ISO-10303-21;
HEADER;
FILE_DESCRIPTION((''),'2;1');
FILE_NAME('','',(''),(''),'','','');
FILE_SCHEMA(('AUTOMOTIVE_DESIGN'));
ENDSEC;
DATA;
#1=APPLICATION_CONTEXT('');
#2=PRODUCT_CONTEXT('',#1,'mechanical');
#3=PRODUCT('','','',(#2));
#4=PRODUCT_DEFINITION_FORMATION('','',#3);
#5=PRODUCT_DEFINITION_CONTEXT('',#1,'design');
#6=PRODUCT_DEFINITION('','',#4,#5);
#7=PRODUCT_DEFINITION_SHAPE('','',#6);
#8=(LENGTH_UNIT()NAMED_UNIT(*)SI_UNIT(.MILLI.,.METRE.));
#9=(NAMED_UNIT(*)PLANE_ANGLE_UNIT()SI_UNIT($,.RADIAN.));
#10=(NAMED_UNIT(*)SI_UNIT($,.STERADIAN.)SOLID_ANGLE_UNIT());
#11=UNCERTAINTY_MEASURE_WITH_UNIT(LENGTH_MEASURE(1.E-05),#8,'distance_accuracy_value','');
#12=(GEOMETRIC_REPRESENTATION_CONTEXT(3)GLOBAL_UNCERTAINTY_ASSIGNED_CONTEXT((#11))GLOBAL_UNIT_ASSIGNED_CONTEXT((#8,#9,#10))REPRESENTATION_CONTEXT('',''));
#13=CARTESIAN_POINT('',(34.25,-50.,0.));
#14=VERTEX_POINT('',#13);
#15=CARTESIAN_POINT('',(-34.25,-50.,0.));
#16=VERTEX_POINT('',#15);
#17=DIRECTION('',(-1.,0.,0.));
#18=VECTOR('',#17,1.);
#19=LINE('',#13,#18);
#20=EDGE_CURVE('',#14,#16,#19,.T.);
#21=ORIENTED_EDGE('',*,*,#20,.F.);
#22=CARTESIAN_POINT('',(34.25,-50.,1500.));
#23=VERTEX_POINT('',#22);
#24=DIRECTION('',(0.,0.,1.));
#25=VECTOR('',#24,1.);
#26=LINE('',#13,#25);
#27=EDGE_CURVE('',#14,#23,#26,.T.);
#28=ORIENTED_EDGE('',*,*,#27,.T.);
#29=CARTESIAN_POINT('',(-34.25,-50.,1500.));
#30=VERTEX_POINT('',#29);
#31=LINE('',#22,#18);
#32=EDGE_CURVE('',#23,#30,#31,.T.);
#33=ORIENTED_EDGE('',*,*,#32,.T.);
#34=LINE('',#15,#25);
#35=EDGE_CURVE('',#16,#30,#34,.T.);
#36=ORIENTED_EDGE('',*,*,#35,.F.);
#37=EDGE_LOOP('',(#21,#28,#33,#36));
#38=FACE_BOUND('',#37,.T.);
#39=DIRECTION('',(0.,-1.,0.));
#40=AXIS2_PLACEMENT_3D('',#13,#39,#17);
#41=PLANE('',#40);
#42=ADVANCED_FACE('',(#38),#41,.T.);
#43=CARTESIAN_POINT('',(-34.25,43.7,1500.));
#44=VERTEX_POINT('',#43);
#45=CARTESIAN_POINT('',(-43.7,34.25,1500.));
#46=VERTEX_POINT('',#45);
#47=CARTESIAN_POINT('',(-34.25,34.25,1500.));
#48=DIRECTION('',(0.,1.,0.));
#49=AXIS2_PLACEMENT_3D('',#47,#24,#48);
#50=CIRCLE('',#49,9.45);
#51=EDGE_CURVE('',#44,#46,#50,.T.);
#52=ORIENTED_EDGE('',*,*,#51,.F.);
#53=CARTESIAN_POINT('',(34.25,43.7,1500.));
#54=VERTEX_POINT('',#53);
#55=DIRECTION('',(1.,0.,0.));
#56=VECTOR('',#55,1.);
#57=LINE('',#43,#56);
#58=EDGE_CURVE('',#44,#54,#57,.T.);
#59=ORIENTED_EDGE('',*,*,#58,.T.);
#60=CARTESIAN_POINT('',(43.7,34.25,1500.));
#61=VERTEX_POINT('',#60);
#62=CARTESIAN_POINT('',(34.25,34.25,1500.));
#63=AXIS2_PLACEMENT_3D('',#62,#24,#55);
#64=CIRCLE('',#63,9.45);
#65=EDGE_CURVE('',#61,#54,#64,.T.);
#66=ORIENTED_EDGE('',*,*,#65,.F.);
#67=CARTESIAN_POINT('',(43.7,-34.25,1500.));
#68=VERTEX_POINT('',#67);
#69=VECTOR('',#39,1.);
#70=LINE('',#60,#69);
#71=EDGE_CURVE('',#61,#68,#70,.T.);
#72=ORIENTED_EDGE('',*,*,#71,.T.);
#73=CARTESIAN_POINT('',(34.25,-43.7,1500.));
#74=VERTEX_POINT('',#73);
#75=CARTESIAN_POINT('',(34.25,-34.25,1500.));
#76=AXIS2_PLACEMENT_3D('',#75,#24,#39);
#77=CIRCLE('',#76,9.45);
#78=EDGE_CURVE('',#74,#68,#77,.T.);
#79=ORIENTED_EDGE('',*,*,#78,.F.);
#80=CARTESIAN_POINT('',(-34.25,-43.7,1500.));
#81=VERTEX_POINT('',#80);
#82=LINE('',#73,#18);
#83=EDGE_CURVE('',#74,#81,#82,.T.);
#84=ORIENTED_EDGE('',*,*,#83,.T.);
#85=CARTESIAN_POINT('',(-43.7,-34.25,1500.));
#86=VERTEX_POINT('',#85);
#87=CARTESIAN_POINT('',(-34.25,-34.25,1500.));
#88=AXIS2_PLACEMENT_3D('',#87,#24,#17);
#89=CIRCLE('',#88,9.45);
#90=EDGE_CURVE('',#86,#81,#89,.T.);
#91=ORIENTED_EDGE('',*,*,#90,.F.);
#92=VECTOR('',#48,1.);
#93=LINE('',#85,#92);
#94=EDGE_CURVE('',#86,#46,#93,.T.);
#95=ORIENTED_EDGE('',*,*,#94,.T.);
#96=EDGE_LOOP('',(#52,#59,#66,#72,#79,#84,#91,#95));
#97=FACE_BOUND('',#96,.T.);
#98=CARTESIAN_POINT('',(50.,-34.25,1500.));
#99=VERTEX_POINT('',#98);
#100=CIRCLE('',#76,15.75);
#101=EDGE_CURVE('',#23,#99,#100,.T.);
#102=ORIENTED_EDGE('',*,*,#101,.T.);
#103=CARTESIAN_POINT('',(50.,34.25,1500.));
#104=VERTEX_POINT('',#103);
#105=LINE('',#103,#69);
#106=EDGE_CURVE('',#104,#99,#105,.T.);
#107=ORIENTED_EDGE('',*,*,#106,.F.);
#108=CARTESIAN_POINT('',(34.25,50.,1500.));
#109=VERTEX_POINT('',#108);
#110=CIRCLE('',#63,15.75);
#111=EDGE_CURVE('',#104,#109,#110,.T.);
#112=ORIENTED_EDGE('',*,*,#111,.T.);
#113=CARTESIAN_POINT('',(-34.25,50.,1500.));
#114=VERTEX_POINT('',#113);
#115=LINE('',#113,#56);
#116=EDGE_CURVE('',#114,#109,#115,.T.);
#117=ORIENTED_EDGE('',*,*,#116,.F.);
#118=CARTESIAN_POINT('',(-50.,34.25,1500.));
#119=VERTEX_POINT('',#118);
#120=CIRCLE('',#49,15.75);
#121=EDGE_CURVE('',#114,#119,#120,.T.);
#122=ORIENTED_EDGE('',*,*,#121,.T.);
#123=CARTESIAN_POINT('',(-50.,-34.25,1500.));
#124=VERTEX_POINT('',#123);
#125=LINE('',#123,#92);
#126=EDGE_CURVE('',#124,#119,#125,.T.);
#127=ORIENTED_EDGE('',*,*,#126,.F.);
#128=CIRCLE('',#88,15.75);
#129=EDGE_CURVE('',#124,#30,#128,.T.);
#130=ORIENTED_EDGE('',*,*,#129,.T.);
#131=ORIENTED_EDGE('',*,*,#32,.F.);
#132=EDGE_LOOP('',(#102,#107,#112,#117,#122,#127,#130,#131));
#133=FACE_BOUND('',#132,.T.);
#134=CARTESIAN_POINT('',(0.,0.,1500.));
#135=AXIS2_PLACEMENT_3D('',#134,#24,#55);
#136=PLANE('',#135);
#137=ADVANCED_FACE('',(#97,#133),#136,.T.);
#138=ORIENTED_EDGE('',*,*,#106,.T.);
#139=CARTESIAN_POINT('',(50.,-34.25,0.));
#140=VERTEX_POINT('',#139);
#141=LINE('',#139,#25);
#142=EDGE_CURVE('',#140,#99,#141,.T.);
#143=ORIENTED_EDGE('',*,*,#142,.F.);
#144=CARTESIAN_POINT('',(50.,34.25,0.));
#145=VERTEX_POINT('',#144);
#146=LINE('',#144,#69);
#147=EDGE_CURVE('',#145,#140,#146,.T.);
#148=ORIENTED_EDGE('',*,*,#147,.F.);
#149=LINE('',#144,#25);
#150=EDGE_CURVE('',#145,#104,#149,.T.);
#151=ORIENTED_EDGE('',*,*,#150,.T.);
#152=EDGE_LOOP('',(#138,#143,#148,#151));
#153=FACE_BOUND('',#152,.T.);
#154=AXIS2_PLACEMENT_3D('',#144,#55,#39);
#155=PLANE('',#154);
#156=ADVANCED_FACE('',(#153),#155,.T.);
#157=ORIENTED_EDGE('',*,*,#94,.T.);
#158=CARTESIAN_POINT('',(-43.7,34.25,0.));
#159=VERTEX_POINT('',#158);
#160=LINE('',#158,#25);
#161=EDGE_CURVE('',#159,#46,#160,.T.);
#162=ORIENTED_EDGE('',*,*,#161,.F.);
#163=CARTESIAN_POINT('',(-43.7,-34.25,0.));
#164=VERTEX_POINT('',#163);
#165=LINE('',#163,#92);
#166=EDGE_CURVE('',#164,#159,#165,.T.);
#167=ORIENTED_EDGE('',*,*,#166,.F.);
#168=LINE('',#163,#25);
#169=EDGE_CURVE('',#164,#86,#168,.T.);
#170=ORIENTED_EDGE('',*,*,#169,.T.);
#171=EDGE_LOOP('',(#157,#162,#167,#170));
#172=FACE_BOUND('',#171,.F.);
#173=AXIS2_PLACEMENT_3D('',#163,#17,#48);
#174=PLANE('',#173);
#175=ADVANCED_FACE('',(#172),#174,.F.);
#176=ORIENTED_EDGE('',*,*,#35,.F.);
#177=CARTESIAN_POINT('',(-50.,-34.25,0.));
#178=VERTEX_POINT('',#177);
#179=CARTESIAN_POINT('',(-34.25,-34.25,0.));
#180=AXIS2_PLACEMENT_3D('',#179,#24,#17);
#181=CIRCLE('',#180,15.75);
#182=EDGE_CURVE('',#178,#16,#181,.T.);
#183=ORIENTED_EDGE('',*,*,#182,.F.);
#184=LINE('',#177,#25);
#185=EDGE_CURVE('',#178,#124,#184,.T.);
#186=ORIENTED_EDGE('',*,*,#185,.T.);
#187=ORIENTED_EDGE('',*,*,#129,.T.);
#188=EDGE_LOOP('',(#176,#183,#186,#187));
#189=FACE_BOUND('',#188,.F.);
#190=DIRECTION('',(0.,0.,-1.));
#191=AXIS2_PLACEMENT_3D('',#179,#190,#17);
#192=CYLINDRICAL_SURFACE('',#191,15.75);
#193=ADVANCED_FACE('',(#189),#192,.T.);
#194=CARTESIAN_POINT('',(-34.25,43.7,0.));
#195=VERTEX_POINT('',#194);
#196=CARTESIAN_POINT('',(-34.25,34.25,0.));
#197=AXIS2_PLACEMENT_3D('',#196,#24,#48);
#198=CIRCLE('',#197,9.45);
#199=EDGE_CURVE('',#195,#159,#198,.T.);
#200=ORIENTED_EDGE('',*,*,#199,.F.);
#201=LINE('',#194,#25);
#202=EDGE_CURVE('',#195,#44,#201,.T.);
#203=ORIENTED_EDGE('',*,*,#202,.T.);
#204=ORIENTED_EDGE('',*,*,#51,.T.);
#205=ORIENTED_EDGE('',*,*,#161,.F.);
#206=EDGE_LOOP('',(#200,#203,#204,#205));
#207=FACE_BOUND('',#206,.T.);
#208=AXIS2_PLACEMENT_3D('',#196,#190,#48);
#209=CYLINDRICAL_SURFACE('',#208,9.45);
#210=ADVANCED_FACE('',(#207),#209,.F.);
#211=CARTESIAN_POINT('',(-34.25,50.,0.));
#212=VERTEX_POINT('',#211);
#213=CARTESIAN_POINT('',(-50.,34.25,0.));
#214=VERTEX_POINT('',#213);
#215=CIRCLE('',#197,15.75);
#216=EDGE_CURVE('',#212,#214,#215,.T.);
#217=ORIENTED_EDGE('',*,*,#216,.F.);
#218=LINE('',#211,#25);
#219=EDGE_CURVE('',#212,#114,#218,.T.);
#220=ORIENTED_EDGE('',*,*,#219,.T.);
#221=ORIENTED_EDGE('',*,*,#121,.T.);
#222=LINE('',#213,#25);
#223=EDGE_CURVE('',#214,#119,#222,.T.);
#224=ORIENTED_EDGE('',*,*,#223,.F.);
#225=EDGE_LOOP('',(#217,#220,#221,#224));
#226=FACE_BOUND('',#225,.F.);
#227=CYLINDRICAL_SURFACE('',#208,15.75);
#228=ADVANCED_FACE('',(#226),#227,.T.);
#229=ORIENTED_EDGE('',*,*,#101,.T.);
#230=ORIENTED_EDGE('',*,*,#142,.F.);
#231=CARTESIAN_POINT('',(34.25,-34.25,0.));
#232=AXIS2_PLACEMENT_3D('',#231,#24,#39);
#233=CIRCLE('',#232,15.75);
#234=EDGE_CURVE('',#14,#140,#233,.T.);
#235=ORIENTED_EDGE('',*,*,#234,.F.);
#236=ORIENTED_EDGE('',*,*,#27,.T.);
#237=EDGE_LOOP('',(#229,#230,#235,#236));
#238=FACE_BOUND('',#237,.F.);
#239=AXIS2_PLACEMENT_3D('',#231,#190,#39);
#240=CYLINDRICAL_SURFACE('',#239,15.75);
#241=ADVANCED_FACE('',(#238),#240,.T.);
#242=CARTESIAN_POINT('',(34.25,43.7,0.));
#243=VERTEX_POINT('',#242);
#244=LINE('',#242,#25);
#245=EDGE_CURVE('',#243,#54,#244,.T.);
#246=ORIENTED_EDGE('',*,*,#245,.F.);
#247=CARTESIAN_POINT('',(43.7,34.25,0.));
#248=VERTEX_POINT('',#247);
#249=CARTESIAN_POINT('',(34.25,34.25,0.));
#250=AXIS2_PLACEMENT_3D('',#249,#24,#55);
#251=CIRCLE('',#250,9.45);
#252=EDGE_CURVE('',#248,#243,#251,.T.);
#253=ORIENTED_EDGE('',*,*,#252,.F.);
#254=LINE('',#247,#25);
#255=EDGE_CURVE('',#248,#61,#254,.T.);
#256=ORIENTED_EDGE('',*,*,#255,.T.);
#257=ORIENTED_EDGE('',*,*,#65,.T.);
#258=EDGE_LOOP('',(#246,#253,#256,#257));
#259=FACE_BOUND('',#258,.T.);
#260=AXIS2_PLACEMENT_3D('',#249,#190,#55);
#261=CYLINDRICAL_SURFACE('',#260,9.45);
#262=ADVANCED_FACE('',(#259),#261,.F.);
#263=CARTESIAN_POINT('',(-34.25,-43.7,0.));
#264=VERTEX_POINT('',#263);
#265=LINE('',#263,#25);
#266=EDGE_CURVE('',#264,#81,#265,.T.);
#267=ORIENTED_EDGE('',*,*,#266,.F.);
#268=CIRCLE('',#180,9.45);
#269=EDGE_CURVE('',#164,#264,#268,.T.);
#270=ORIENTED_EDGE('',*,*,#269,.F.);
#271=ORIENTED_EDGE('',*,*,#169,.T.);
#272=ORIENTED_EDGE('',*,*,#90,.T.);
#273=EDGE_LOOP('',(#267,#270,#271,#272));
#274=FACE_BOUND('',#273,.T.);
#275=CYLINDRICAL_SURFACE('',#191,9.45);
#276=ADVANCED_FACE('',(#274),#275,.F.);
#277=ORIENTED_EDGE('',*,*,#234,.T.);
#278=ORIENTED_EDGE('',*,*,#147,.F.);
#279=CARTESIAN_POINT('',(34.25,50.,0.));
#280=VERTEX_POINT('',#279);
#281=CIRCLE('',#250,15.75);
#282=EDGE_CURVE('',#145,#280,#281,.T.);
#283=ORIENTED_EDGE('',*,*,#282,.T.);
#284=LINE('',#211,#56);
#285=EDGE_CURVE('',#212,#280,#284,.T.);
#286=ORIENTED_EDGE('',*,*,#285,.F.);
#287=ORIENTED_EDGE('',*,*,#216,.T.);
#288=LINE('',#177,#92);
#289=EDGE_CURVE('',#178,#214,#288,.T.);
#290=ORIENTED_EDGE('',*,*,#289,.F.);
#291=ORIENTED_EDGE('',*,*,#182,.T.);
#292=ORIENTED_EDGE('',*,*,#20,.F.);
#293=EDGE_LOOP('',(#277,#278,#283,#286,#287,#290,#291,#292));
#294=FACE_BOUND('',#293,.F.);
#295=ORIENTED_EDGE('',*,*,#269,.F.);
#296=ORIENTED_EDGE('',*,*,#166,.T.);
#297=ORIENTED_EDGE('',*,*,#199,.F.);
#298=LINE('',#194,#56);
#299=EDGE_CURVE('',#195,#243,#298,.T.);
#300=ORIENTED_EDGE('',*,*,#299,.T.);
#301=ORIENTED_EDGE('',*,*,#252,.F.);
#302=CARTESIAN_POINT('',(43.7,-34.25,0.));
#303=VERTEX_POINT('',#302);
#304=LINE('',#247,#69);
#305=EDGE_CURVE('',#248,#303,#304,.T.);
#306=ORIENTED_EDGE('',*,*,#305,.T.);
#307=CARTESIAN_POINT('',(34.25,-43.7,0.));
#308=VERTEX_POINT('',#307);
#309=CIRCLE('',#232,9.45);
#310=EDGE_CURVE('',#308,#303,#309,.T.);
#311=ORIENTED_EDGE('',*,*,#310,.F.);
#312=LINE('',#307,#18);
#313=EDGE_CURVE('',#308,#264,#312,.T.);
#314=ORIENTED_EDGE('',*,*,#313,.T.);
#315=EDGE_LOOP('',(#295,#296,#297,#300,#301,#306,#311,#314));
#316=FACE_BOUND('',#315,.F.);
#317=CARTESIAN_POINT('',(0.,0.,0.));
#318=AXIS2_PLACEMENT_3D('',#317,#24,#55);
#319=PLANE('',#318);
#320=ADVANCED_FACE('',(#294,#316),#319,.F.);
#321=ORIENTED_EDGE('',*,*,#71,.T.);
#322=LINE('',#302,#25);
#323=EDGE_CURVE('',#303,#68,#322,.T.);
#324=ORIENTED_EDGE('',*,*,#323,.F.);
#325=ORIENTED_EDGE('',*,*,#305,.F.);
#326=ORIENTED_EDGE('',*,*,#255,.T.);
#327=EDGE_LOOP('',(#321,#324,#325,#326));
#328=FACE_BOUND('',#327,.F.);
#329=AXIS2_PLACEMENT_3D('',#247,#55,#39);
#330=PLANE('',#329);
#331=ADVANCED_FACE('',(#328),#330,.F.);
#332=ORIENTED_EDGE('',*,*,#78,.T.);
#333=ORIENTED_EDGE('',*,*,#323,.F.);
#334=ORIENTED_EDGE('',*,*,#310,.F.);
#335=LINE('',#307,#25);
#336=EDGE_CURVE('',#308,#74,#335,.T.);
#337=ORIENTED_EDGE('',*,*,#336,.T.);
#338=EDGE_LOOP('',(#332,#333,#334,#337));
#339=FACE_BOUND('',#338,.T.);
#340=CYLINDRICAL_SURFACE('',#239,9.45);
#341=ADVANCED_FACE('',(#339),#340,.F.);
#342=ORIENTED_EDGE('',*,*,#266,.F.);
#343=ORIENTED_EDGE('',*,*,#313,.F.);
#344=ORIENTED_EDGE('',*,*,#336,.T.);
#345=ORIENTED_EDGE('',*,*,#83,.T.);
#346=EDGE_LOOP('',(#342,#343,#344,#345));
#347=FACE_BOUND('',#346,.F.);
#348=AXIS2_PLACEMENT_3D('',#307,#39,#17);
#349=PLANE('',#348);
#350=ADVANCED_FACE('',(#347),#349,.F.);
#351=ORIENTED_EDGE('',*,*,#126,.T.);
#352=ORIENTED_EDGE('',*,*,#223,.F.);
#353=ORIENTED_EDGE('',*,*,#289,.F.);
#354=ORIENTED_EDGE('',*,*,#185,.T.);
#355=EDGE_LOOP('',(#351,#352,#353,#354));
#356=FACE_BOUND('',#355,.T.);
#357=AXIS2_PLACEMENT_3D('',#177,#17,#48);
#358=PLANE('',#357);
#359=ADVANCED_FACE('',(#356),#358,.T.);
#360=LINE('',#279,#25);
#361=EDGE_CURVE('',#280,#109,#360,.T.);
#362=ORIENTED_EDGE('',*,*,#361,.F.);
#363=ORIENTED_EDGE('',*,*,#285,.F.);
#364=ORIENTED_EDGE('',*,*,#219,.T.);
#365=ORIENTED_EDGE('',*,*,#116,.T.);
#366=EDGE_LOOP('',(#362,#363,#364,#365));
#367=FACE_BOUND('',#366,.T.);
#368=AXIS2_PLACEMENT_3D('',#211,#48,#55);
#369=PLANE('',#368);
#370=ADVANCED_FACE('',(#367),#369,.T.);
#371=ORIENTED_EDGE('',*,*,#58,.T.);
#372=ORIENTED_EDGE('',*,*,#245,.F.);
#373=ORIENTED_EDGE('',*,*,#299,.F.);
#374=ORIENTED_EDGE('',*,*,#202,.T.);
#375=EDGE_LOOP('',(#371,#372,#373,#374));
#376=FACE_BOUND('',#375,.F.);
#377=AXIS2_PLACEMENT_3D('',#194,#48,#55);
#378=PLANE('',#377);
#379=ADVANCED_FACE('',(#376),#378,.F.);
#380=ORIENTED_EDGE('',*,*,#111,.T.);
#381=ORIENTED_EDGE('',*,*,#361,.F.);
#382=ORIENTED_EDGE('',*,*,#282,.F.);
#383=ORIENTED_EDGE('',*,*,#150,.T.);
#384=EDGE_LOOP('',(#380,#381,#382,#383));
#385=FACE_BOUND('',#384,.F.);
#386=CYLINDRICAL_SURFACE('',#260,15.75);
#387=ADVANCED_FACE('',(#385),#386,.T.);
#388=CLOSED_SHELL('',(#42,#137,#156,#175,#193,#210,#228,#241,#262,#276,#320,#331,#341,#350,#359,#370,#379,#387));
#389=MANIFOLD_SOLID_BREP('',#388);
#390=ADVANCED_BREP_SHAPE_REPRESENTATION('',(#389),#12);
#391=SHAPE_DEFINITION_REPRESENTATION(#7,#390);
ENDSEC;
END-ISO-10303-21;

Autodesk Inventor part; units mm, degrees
ref_plane "YZ Plane" through (0, 0, 0) normal (1, 0, 0) x (0, 1, 0)
ref_plane "Start Plane" through (0, 0, 0) normal (0, 0, 1) x (1, 0, 0)
ref_plane "End Plane" through (0, 0, 1500) normal (0, 0, 1) x (1, 0, 0)
sketch "Sketch" plane through (0, 0, 0) normal (0, 0, 1) x (1, 0, 0)
  line L0 (-50, -34.25) -> (-50, 34.25)
  line L1 (-34.25, 50) -> (34.25, 50)
  line L2 (50, 34.25) -> (50, -34.25)
  line L3 (34.25, -50) -> (-34.25, -50)
  arc A0 (-50, -34.25) -> (-34.25, -50) centre (-34.25, -34.25) ccw
  arc A1 (50, 34.25) -> (34.25, 50) centre (34.25, 34.25) ccw
  arc A2 (-34.25, 50) -> (-50, 34.25) centre (-34.25, 34.25) ccw
  arc A3 (34.25, -50) -> (50, -34.25) centre (34.25, -34.25) ccw
  arc A4 (-34.25, 43.7) -> (-43.7, 34.25) centre (-34.25, 34.25) ccw
  line L4 (-34.25, 43.7) -> (34.25, 43.7)
  arc A5 (43.7, 34.25) -> (34.25, 43.7) centre (34.25, 34.25) ccw
  line L5 (43.7, 34.25) -> (43.7, -34.25)
  arc A6 (34.25, -43.7) -> (43.7, -34.25) centre (34.25, -34.25) ccw
  line L6 (34.25, -43.7) -> (-34.25, -43.7)
  arc A7 (-43.7, -34.25) -> (-34.25, -43.7) centre (-34.25, -34.25) ccw
  line L7 (-43.7, -34.25) -> (-43.7, 34.25)
  line L8 (0, 74.5667) -> (0, -74.5667) construction
  line L9 (-74.5667, 0) -> (74.5667, 0) construction
  dimension "d7" = 15.75
  dimension "d9" = 100
  dimension "d11" = 100
  dimension "d12" = 6.3
  dimension "d15" = 50
  dimension "d16" = 50
extrude "Body" add sketch "Sketch" along normal up to surface (1500 mm away) from surface at 0
sketch "Sketch3" plane through (0, 0, 0) normal (0, 0, 1) x (1, 0, 0)
  line L0 (0, 0) -> (10, 0)
ref_plane "Work Plane3" through (0, 0, 0) normal (0, -1, 0) x (1, 0, 0)
sketch "Sketch4" plane through (0, 0, 0) normal (0, -1, 0) x (1, 0, 0)
  line L0 (-2, 0) -> (12, 0)
  line L1 (-2, 1500) -> (12, 1500)
  dimension "d18" = 1500
equation "\"d7\" = G_IR"
equation "\"d9\" = G_W"
equation "\"d11\" = G_H"
equation "\"d12\" = G_T"
equation "\"d15\" = 0.5 * d9"
equation "\"d16\" = 0.5 * d11"
equation "\"d3\" = G_L"
equation "\"G_W\" = 100"
equation "\"G_H\" = 100"
equation "\"G_T\" = 6.3"
equation "\"G_IR\" = 15.75"
equation "\"G_L\" = d18"
equation "\"G_OFFSET_START\" = 0"
equation "\"G_OFFSET_END\" = 0"
properties part number "ISO 4019 - 100x100x6.3 - 1500" material "Steel, Mild"
